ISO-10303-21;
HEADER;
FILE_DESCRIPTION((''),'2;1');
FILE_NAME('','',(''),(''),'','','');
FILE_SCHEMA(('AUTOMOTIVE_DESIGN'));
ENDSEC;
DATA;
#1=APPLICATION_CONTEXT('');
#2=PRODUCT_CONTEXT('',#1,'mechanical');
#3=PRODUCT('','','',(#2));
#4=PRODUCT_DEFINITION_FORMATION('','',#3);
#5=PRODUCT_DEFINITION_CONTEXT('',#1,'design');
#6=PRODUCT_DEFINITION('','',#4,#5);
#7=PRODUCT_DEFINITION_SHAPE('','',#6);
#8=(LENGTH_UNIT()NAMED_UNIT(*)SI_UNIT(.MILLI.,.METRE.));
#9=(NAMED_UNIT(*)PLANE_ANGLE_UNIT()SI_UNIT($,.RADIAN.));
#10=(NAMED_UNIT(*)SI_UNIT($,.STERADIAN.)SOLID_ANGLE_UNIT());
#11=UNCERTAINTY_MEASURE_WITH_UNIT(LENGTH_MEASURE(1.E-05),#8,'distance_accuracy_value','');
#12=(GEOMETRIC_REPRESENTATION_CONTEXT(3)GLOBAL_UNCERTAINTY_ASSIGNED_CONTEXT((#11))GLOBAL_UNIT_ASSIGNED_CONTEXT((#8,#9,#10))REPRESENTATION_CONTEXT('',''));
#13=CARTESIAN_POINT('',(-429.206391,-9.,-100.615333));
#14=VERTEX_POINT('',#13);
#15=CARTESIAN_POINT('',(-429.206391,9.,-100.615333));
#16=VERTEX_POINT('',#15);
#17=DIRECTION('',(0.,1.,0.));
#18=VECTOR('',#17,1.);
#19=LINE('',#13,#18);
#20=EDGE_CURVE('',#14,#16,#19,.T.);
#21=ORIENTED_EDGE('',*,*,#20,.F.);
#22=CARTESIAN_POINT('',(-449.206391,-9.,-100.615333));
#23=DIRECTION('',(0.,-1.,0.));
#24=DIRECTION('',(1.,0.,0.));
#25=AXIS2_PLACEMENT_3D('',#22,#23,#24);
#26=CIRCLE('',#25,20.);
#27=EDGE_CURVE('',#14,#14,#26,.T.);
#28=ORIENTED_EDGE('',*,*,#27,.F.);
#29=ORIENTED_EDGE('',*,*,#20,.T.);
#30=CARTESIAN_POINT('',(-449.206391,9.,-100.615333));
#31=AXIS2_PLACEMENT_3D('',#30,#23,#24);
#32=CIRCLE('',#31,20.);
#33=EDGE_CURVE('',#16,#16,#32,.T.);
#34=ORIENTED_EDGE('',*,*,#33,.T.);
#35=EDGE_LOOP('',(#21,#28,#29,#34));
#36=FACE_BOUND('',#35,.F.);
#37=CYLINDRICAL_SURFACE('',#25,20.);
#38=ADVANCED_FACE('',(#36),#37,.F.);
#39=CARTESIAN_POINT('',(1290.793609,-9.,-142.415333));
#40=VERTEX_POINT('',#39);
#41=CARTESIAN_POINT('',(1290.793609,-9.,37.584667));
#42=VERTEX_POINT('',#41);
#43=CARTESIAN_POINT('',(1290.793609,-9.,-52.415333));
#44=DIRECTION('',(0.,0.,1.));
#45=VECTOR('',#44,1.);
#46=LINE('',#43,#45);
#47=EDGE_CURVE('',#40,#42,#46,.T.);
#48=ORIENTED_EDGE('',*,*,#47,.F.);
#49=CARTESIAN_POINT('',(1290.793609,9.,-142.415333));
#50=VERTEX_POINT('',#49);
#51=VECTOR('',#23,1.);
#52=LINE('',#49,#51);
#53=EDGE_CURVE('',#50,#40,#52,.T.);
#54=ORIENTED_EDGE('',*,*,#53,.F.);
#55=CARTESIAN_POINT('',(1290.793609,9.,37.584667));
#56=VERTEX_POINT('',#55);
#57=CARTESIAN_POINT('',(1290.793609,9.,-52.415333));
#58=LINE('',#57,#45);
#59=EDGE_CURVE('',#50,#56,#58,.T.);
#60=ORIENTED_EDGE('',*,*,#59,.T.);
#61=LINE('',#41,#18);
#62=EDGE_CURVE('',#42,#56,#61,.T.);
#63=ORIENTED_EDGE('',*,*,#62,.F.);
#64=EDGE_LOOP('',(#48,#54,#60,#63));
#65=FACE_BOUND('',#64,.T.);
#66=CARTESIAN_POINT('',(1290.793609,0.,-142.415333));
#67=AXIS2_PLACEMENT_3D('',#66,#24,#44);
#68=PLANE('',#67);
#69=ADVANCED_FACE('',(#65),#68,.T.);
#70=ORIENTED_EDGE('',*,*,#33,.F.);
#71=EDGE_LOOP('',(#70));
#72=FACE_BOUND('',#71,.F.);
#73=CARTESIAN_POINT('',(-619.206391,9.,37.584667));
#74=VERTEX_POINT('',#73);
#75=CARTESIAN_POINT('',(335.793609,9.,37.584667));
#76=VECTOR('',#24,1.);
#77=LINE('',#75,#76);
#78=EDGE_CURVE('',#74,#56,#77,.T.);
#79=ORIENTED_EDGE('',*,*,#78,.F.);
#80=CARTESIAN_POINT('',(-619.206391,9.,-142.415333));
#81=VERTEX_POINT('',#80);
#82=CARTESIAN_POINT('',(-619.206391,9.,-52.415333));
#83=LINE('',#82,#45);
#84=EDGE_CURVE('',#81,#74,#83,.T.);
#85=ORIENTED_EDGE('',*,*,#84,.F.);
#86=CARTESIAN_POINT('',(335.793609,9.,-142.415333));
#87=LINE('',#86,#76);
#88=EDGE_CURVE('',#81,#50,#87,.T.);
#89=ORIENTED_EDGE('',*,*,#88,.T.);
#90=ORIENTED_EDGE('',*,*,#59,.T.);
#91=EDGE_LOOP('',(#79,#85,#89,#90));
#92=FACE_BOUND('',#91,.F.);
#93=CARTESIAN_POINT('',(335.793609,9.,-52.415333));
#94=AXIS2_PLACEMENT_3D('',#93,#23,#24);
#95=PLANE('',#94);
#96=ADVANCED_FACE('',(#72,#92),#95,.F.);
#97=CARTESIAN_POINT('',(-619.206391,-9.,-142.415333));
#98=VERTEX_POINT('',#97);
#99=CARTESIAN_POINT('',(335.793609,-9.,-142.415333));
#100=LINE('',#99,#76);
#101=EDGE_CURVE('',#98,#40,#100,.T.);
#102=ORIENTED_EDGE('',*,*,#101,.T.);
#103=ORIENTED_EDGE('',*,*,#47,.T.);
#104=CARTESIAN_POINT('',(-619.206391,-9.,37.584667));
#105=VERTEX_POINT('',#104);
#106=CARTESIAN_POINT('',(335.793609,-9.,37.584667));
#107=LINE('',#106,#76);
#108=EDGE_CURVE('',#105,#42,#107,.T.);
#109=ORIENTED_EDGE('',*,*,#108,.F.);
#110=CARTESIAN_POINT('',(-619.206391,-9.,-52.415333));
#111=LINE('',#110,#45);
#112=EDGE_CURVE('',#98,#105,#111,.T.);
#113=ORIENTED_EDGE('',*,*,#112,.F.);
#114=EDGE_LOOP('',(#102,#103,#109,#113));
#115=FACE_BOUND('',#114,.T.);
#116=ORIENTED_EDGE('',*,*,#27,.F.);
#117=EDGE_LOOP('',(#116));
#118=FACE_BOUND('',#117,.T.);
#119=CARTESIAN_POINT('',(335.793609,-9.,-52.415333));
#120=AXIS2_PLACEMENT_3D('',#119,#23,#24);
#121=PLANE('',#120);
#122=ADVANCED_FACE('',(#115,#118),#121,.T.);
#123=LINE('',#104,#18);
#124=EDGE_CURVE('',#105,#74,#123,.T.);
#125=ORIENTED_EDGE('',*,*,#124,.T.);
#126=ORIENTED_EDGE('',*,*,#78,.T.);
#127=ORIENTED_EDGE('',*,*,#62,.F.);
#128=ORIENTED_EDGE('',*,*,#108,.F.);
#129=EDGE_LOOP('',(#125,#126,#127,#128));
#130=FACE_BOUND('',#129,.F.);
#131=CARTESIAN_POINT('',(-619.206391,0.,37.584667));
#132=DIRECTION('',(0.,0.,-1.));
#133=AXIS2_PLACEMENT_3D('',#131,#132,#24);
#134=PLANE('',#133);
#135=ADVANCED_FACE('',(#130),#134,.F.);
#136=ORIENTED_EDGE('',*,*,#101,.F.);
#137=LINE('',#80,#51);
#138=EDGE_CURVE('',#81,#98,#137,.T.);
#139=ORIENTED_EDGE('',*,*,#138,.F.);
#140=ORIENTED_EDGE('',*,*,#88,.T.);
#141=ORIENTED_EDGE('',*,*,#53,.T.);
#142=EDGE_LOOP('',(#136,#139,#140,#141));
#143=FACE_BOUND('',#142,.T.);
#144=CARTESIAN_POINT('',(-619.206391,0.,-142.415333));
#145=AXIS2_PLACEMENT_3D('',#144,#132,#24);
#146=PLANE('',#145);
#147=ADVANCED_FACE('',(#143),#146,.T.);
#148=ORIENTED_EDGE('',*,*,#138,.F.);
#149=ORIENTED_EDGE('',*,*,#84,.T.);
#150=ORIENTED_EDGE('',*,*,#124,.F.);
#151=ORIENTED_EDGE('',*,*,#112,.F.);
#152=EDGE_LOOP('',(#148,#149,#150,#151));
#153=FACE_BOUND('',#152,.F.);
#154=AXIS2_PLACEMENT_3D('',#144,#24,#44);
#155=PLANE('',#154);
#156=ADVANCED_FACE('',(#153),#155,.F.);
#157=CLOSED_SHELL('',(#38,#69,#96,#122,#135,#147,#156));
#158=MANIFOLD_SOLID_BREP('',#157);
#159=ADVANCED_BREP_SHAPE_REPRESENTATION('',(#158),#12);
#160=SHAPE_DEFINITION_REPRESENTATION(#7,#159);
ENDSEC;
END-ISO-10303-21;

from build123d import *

# Parameters (mm, degrees)
F0_W     = 1910
F0_H     = 180
F1_DEPTH = 9
F2_R     = 20
F3_DEPTH = 25


with BuildPart() as f1:
    # F0 (on Front) → F1 (new body, symmetric)
    with BuildSketch(Plane.XZ):
        with Locations((335.793609, -52.415333)):
            Rectangle(F0_W, F0_H)
    extrude(amount=F1_DEPTH, both=True)

    # F2 (on face) → F3 (cut)
    with BuildSketch(Plane.XZ.offset(9)):
        with Locations((-449.206391, -100.615333)):
            Circle(F2_R)
    extrude(amount=-F3_DEPTH, mode=Mode.SUBTRACT)


solid = f1.part
